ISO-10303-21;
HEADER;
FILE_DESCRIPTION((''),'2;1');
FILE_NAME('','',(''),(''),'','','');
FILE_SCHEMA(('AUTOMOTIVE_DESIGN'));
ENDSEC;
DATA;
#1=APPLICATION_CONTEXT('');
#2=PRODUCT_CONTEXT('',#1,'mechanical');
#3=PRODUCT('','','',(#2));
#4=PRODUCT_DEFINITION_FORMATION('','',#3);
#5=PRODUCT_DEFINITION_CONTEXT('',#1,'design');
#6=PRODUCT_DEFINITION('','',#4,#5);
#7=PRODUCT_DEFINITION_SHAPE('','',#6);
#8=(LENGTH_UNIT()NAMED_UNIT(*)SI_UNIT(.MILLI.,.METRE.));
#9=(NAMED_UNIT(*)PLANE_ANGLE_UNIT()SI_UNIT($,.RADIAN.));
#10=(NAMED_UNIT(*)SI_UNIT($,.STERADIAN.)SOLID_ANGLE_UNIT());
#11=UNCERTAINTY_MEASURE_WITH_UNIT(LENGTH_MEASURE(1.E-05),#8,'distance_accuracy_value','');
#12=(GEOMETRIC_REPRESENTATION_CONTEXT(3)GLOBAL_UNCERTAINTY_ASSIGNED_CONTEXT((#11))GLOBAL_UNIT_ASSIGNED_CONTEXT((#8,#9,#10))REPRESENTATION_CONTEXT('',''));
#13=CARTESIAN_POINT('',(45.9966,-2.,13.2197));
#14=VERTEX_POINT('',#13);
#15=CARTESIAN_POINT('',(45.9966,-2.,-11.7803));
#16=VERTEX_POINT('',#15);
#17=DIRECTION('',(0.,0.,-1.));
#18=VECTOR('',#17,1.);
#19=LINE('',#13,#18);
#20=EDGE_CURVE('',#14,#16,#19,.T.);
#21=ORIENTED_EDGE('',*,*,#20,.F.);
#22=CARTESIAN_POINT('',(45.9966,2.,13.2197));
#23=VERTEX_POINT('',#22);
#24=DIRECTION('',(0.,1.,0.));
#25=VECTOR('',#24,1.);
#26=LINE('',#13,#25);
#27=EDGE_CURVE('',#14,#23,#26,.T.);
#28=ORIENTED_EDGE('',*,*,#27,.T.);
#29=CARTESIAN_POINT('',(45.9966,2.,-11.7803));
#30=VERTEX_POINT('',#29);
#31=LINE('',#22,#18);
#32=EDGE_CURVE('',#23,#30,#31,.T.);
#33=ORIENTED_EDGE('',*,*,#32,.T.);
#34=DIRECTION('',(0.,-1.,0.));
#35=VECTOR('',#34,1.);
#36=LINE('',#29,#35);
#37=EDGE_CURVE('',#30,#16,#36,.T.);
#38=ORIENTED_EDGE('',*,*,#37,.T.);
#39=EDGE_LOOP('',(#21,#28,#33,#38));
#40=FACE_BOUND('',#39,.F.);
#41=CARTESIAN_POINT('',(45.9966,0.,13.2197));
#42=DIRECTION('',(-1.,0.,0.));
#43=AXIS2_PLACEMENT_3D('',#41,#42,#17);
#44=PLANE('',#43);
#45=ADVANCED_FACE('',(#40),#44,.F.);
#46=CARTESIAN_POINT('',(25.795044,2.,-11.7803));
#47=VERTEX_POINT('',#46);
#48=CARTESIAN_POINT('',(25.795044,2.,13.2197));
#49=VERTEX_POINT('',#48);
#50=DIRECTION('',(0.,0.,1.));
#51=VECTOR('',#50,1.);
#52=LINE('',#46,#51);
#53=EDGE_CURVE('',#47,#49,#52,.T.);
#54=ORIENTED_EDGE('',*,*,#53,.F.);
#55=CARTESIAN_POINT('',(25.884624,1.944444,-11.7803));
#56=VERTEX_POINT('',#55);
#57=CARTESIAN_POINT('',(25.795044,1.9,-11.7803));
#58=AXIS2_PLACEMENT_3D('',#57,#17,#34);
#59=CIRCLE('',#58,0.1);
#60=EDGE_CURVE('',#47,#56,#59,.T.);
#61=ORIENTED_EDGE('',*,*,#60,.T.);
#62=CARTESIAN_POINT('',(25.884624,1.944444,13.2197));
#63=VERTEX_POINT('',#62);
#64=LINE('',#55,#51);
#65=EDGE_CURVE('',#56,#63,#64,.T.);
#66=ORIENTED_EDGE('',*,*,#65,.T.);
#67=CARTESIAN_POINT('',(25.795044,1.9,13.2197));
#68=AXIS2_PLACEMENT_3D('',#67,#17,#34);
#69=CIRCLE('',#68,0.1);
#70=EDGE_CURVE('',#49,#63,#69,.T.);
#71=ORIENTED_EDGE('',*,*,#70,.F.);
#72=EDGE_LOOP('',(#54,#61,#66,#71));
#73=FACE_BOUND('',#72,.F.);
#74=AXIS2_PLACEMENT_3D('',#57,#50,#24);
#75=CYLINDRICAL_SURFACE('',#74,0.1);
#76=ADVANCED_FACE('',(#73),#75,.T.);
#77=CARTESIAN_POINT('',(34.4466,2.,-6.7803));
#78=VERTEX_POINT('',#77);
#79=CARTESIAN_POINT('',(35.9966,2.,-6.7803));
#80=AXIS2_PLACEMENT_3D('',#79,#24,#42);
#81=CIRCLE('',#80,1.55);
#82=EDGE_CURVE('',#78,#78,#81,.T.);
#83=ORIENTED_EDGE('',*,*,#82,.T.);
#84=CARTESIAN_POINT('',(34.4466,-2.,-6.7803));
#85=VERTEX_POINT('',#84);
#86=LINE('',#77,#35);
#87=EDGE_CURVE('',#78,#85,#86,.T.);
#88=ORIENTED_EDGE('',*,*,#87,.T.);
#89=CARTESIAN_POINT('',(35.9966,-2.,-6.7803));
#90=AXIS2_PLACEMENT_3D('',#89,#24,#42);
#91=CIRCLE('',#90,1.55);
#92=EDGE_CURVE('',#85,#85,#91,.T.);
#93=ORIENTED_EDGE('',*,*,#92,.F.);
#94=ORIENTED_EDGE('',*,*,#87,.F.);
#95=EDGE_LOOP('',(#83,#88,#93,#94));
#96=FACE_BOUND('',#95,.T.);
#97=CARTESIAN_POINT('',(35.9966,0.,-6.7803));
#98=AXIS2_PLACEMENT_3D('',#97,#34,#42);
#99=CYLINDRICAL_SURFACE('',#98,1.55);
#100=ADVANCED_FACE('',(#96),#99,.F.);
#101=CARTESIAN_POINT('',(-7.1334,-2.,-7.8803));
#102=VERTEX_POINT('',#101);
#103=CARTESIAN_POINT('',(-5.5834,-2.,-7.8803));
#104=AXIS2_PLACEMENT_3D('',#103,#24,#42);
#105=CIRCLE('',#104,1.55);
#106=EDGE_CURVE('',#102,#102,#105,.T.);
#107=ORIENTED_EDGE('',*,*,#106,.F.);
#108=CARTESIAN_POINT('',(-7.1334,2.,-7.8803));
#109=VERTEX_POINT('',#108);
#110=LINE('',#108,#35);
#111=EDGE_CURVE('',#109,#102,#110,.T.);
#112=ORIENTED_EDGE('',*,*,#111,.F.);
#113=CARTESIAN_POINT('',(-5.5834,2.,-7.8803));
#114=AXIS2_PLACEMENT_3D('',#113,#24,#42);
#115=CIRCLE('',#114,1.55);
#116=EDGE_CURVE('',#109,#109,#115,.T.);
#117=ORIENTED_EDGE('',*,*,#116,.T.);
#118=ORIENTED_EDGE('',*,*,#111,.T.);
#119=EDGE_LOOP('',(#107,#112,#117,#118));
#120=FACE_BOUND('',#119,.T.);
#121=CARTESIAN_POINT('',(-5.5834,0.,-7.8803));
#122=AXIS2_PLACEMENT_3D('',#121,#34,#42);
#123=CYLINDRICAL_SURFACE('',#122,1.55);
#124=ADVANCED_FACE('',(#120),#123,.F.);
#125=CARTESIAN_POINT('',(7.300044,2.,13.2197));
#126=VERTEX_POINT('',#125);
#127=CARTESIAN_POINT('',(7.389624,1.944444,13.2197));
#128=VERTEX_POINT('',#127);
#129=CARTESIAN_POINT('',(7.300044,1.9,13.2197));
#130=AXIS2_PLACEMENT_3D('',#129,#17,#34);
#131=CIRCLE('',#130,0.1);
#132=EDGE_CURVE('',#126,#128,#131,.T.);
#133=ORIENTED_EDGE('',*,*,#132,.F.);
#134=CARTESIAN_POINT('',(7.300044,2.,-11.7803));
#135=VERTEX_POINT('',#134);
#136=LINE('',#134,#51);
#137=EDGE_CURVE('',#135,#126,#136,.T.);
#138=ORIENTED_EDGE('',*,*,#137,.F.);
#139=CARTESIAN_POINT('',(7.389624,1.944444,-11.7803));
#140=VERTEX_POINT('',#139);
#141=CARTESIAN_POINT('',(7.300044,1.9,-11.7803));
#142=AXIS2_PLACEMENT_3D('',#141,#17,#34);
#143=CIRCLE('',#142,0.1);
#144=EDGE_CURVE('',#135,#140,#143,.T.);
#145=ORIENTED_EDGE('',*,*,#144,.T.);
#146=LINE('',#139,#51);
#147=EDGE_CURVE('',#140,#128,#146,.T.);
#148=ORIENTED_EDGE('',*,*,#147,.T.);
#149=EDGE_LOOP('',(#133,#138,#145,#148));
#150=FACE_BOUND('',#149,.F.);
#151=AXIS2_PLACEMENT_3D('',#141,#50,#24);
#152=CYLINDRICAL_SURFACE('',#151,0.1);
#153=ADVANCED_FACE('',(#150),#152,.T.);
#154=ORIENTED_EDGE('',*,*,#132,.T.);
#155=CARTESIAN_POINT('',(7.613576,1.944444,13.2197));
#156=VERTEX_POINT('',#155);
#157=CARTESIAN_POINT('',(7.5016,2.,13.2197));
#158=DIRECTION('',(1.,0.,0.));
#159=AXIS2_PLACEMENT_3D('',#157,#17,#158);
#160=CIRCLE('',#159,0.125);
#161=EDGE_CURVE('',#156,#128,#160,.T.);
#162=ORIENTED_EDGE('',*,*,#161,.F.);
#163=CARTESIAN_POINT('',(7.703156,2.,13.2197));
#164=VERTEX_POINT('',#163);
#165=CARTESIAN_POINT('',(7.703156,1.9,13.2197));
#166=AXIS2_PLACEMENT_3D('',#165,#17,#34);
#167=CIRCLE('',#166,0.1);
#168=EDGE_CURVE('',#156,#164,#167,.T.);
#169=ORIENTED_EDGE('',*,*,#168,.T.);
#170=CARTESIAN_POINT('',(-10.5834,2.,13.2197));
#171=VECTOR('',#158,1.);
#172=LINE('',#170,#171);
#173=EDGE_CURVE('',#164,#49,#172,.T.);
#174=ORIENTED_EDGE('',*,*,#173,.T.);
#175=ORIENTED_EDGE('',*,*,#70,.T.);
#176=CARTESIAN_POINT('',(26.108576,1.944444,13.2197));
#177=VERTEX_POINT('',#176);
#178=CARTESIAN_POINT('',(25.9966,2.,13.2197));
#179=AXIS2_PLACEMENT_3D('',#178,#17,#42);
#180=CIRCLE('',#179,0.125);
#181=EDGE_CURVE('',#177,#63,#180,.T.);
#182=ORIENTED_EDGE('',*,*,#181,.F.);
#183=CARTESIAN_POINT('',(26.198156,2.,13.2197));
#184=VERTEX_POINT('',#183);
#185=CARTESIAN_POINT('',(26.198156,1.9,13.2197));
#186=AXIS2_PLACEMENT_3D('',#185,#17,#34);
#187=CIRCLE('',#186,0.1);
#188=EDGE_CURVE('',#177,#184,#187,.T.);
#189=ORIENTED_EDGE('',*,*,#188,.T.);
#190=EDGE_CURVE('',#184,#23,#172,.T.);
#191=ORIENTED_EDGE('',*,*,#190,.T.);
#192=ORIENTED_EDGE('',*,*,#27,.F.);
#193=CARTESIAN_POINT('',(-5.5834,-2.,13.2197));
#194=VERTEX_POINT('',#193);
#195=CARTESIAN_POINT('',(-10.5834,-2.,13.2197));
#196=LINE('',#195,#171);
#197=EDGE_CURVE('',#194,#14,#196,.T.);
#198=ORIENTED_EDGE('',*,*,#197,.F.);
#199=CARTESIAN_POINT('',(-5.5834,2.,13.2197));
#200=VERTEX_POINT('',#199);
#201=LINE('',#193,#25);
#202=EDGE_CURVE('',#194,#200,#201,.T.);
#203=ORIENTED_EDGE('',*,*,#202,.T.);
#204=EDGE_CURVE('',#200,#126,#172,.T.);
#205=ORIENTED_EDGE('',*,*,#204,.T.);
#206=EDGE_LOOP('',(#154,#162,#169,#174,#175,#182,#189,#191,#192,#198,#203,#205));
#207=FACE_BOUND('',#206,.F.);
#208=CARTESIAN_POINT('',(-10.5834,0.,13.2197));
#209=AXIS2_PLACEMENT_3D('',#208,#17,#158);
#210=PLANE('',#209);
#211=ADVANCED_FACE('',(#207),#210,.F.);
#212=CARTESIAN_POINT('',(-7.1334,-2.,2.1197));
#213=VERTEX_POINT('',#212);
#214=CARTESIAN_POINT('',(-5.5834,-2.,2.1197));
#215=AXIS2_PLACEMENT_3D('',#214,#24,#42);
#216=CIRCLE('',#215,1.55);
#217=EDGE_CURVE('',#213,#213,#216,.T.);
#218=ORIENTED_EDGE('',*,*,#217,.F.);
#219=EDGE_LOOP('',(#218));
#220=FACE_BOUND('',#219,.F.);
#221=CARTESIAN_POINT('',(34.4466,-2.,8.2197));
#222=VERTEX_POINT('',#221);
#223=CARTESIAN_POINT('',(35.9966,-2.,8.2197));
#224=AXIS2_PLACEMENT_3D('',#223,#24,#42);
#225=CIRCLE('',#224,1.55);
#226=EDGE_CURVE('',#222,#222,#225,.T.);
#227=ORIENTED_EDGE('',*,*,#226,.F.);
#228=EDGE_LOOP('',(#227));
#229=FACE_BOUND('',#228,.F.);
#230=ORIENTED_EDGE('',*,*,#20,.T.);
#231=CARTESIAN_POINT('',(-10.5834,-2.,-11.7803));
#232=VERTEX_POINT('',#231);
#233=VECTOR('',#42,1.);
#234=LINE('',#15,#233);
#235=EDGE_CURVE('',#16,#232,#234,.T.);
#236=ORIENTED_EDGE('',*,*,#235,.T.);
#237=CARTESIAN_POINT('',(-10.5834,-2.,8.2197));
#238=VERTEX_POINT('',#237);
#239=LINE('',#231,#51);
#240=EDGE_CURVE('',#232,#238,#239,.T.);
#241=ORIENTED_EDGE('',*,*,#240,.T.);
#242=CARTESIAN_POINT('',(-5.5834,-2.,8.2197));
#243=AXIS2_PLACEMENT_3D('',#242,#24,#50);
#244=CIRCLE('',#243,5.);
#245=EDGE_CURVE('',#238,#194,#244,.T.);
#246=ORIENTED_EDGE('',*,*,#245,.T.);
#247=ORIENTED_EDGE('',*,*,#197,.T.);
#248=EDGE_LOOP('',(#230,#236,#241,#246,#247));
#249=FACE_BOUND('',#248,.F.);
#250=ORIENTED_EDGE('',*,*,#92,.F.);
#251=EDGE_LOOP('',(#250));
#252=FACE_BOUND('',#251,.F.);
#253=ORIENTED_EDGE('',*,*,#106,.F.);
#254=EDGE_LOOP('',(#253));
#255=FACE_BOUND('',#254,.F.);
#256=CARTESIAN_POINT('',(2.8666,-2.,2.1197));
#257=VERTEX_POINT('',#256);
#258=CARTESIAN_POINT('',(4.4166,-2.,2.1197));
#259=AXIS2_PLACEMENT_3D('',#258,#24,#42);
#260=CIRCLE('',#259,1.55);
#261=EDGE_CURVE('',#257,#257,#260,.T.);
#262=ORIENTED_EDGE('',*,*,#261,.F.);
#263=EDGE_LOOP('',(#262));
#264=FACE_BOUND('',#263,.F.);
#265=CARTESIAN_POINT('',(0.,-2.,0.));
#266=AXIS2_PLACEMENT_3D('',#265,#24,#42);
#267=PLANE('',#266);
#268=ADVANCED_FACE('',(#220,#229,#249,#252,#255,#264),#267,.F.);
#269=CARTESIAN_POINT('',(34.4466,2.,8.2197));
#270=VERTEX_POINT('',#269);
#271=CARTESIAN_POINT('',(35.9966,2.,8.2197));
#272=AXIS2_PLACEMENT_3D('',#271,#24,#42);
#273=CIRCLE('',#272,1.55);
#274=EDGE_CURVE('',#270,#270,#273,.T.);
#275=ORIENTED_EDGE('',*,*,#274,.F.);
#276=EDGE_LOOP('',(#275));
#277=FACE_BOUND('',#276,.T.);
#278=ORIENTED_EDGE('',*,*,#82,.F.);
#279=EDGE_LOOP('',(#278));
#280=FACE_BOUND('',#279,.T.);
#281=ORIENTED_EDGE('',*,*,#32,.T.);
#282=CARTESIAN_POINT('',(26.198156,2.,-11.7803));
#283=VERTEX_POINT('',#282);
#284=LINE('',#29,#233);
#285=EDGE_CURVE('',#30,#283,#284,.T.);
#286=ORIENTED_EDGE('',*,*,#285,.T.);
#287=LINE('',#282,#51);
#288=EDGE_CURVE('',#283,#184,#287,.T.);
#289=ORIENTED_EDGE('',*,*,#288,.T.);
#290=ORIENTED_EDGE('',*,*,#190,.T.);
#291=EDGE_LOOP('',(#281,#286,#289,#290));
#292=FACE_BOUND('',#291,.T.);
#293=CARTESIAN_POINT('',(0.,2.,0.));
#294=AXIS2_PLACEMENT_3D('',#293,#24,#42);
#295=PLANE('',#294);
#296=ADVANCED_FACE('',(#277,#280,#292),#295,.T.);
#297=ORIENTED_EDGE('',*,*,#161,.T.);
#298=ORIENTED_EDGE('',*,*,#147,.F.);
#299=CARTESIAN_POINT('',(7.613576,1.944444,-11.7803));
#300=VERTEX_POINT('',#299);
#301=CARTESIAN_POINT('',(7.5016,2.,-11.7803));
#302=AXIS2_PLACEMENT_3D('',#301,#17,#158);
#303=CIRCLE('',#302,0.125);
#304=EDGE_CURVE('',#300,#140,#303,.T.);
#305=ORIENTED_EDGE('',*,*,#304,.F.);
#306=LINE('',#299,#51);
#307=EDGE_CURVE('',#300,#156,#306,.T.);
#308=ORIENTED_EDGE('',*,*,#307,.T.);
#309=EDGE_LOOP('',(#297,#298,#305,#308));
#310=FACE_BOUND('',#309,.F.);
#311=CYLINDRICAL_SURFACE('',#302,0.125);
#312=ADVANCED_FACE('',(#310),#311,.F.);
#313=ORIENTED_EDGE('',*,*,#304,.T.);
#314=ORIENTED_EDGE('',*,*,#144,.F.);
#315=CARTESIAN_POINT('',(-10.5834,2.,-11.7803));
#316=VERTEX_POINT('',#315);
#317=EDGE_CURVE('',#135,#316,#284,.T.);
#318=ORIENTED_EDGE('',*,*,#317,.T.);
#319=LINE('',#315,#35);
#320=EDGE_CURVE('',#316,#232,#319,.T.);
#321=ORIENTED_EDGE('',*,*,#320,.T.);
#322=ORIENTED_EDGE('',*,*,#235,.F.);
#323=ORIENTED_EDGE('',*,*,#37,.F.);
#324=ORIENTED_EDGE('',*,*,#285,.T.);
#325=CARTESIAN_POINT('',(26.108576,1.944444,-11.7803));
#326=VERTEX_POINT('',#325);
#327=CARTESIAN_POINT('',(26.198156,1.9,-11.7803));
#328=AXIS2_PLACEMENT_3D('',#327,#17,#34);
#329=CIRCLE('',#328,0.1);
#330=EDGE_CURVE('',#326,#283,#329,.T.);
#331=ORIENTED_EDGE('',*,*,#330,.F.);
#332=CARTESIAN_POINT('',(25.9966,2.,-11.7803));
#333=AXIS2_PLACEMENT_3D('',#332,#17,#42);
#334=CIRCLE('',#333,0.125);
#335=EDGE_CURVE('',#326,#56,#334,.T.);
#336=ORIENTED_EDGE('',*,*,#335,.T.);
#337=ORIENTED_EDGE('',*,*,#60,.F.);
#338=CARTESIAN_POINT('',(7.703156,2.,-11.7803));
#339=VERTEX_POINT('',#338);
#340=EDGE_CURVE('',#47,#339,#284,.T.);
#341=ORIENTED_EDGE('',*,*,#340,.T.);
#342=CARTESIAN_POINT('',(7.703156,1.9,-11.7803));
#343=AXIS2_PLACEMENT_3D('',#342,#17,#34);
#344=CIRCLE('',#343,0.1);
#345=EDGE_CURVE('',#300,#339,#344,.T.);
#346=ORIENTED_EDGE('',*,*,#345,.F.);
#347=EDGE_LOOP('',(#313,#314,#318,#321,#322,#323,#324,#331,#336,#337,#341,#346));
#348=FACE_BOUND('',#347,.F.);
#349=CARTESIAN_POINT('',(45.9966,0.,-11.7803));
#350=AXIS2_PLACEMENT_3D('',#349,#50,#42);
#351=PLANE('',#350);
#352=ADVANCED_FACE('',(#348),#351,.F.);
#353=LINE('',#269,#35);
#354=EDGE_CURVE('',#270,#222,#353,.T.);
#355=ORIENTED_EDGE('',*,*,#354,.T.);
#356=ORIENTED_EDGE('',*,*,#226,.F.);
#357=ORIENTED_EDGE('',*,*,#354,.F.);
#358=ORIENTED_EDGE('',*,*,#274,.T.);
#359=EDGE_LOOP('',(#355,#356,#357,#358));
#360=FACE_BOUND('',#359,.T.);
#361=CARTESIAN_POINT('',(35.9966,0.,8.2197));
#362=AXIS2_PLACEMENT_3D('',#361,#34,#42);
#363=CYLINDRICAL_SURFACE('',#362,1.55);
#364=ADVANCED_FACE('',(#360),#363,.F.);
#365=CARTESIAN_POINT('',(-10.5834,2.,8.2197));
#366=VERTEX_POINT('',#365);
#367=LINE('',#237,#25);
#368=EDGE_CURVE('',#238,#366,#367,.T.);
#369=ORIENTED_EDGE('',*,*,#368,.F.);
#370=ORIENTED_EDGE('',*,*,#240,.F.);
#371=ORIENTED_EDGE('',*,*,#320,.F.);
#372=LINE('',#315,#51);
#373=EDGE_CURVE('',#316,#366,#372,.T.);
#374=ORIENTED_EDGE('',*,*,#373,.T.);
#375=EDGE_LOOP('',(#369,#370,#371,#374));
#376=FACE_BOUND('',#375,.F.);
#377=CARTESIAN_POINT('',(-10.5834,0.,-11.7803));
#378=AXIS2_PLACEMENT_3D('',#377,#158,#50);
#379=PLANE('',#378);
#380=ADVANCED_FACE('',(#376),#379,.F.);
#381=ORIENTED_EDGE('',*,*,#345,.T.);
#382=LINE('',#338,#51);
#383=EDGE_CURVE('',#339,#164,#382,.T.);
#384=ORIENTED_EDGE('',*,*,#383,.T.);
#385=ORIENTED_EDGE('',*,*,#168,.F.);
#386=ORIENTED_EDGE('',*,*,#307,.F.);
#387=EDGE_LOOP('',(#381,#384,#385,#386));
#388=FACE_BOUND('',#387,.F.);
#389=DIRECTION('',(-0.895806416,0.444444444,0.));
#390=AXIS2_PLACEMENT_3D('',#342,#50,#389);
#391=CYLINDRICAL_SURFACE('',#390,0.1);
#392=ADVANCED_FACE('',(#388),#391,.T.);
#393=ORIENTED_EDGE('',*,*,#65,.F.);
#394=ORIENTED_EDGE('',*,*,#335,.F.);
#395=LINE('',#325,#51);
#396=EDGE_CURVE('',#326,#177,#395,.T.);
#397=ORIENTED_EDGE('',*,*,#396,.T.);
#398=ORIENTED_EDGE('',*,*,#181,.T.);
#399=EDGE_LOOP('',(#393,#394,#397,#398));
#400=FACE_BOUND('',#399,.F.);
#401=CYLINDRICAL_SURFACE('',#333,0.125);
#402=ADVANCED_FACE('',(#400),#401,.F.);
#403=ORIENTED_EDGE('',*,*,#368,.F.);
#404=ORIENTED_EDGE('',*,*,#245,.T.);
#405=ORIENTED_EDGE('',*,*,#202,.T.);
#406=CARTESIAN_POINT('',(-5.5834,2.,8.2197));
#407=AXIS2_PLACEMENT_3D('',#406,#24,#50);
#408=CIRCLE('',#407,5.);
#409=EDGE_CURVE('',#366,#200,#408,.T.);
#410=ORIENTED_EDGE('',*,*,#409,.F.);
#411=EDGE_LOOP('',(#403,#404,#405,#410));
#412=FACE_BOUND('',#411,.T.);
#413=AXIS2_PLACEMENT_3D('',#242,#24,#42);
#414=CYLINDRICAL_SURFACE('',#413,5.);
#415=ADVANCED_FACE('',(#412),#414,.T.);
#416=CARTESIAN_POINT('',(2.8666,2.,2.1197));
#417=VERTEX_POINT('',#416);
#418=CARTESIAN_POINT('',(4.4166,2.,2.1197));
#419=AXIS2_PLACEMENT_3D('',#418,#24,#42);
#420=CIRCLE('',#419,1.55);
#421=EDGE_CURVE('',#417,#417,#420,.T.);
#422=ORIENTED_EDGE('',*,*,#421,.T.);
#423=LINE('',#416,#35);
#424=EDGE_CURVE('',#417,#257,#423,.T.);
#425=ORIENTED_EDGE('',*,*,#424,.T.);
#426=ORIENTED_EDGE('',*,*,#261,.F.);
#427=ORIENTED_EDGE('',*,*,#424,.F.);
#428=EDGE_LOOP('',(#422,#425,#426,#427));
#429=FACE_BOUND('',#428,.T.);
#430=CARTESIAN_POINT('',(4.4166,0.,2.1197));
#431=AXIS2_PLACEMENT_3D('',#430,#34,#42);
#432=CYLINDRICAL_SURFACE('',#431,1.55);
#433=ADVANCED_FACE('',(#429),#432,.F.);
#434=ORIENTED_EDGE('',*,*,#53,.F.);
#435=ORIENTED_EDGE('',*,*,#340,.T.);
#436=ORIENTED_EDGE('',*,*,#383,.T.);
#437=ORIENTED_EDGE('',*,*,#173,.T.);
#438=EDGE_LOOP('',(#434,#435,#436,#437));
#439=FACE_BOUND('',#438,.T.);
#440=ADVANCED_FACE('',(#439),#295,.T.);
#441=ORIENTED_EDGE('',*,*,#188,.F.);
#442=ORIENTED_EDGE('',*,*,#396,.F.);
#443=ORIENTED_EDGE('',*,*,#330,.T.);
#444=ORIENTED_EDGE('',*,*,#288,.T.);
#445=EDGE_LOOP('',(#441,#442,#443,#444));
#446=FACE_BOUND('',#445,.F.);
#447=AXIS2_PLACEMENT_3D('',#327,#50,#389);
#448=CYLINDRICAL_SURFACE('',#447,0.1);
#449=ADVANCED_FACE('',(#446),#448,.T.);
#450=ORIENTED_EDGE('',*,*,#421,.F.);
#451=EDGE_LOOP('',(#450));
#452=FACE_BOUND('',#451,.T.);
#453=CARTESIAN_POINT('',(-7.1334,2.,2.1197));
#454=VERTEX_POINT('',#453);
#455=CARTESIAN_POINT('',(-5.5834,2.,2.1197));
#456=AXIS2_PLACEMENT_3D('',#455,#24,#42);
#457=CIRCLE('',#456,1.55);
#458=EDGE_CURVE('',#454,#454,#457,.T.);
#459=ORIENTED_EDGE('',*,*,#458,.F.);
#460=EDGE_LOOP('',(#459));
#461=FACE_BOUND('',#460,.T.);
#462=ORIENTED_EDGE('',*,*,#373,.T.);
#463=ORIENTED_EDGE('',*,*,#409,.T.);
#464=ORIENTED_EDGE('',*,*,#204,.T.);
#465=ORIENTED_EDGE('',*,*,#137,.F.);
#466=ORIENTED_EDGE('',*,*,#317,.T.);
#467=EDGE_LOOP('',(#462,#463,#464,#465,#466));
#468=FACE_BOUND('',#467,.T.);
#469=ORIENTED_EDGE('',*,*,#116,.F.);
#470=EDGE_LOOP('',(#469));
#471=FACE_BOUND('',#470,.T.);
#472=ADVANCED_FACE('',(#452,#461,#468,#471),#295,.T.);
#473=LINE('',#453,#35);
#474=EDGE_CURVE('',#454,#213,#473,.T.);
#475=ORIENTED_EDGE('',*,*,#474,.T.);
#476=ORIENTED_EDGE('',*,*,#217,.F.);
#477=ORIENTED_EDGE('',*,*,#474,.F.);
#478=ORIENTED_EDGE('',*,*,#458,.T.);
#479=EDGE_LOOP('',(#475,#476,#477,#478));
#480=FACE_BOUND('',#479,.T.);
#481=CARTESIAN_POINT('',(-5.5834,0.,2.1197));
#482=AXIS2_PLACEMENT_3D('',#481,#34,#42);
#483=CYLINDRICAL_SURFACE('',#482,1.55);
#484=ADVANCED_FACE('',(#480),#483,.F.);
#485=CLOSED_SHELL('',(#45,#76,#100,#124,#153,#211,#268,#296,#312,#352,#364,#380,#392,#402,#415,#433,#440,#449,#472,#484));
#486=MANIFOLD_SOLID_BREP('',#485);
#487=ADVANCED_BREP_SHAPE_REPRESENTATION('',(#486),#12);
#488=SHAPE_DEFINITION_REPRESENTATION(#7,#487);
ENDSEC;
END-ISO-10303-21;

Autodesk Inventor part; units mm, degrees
ref_plane "YZ Plane" through (0, 0, 0) normal (1, 0, 0) x (0, 1, 0)
ref_plane "XZ Plane" through (0, 0, 0) normal (0, 1, 0) x (-1, 0, 0)
ref_plane "XY Plane" through (0, 0, 0) normal (0, 0, 1) x (1, 0, 0)
sketch "Sketch1" plane through (0, 0, 0) normal (0, 1, 0) x (-1, 0, 0)
  line L0 (10.5834, 13.2197) -> (-45.9966, 13.2197)
  line L1 (-45.9966, 13.2197) -> (-45.9966, -11.7803)
  line L2 (-45.9966, -11.7803) -> (10.5834, -11.7803)
  line L3 (10.5834, -11.7803) -> (10.5834, 13.2197)
  circle A0 centre (5.5834, -7.8803) radius 1.55
  circle A1 centre (5.5834, 2.1197) radius 1.55
  circle A2 centre (-4.4166, 2.1197) radius 1.55
  circle A3 centre (-35.9966, 8.2197) radius 1.55
  circle A4 centre (-35.9966, -6.7803) radius 1.55
  point P0 (0, 0)
  dimension "d0" = 3.1
  dimension "d1" = 3.9
  dimension "d4" = 10
  dimension "d11" = 10
  dimension "d16" = 25
  dimension "d17" = 5
  dimension "d18" = 56.58
  dimension "d19" = 3.1
  dimension "d20" = 10
  dimension "d23" = 15
  dimension "d28" = 5
extrude "Extrusion1" add sketch "Sketch1" along normal mid plane 4
sketch "Sketch2" plane through (45.9966, 2, -11.7803) normal (0, 0, -1) x (-1, 0, 0)
  arc A0 (38.37, 0) -> (38.62, 0) centre (38.495, 0) ccw
  line L0 (0, 0) -> (56.58, 0) projected
  line L1 (56.58, -4) -> (56.58, 0) projected
  circle A1 centre (20, 0) radius 0.125
  line L2 (0, -4) -> (0, 0) projected
  point P0 (45.9966, -2)
  point P1 (56.58, -2)
  point P2 (20.125, 0)
  point P3 (19.875, 0)
  dimension "d31" = 0.25
  dimension "d34" = 18.085
  dimension "d35" = 0.25
  dimension "d36" = 20
extrude "Extrusion2" cut sketch "Sketch2" against normal up to surface (25 mm away) contours L0 A0 | A1 L0 picked at (20, -0.0736)
fillet "Fillet1" radius 0.1 4 edges at (7.6266, 2, 0.7197) (7.3766, 2, 0.7197) (26.1216, 2, 0.7197) (25.8716, 2, 0.7197)
fillet "Fillet2" radius 5 1 edges at (-10.5834, 0, 13.2197)
properties part number "GVS_Plate"
